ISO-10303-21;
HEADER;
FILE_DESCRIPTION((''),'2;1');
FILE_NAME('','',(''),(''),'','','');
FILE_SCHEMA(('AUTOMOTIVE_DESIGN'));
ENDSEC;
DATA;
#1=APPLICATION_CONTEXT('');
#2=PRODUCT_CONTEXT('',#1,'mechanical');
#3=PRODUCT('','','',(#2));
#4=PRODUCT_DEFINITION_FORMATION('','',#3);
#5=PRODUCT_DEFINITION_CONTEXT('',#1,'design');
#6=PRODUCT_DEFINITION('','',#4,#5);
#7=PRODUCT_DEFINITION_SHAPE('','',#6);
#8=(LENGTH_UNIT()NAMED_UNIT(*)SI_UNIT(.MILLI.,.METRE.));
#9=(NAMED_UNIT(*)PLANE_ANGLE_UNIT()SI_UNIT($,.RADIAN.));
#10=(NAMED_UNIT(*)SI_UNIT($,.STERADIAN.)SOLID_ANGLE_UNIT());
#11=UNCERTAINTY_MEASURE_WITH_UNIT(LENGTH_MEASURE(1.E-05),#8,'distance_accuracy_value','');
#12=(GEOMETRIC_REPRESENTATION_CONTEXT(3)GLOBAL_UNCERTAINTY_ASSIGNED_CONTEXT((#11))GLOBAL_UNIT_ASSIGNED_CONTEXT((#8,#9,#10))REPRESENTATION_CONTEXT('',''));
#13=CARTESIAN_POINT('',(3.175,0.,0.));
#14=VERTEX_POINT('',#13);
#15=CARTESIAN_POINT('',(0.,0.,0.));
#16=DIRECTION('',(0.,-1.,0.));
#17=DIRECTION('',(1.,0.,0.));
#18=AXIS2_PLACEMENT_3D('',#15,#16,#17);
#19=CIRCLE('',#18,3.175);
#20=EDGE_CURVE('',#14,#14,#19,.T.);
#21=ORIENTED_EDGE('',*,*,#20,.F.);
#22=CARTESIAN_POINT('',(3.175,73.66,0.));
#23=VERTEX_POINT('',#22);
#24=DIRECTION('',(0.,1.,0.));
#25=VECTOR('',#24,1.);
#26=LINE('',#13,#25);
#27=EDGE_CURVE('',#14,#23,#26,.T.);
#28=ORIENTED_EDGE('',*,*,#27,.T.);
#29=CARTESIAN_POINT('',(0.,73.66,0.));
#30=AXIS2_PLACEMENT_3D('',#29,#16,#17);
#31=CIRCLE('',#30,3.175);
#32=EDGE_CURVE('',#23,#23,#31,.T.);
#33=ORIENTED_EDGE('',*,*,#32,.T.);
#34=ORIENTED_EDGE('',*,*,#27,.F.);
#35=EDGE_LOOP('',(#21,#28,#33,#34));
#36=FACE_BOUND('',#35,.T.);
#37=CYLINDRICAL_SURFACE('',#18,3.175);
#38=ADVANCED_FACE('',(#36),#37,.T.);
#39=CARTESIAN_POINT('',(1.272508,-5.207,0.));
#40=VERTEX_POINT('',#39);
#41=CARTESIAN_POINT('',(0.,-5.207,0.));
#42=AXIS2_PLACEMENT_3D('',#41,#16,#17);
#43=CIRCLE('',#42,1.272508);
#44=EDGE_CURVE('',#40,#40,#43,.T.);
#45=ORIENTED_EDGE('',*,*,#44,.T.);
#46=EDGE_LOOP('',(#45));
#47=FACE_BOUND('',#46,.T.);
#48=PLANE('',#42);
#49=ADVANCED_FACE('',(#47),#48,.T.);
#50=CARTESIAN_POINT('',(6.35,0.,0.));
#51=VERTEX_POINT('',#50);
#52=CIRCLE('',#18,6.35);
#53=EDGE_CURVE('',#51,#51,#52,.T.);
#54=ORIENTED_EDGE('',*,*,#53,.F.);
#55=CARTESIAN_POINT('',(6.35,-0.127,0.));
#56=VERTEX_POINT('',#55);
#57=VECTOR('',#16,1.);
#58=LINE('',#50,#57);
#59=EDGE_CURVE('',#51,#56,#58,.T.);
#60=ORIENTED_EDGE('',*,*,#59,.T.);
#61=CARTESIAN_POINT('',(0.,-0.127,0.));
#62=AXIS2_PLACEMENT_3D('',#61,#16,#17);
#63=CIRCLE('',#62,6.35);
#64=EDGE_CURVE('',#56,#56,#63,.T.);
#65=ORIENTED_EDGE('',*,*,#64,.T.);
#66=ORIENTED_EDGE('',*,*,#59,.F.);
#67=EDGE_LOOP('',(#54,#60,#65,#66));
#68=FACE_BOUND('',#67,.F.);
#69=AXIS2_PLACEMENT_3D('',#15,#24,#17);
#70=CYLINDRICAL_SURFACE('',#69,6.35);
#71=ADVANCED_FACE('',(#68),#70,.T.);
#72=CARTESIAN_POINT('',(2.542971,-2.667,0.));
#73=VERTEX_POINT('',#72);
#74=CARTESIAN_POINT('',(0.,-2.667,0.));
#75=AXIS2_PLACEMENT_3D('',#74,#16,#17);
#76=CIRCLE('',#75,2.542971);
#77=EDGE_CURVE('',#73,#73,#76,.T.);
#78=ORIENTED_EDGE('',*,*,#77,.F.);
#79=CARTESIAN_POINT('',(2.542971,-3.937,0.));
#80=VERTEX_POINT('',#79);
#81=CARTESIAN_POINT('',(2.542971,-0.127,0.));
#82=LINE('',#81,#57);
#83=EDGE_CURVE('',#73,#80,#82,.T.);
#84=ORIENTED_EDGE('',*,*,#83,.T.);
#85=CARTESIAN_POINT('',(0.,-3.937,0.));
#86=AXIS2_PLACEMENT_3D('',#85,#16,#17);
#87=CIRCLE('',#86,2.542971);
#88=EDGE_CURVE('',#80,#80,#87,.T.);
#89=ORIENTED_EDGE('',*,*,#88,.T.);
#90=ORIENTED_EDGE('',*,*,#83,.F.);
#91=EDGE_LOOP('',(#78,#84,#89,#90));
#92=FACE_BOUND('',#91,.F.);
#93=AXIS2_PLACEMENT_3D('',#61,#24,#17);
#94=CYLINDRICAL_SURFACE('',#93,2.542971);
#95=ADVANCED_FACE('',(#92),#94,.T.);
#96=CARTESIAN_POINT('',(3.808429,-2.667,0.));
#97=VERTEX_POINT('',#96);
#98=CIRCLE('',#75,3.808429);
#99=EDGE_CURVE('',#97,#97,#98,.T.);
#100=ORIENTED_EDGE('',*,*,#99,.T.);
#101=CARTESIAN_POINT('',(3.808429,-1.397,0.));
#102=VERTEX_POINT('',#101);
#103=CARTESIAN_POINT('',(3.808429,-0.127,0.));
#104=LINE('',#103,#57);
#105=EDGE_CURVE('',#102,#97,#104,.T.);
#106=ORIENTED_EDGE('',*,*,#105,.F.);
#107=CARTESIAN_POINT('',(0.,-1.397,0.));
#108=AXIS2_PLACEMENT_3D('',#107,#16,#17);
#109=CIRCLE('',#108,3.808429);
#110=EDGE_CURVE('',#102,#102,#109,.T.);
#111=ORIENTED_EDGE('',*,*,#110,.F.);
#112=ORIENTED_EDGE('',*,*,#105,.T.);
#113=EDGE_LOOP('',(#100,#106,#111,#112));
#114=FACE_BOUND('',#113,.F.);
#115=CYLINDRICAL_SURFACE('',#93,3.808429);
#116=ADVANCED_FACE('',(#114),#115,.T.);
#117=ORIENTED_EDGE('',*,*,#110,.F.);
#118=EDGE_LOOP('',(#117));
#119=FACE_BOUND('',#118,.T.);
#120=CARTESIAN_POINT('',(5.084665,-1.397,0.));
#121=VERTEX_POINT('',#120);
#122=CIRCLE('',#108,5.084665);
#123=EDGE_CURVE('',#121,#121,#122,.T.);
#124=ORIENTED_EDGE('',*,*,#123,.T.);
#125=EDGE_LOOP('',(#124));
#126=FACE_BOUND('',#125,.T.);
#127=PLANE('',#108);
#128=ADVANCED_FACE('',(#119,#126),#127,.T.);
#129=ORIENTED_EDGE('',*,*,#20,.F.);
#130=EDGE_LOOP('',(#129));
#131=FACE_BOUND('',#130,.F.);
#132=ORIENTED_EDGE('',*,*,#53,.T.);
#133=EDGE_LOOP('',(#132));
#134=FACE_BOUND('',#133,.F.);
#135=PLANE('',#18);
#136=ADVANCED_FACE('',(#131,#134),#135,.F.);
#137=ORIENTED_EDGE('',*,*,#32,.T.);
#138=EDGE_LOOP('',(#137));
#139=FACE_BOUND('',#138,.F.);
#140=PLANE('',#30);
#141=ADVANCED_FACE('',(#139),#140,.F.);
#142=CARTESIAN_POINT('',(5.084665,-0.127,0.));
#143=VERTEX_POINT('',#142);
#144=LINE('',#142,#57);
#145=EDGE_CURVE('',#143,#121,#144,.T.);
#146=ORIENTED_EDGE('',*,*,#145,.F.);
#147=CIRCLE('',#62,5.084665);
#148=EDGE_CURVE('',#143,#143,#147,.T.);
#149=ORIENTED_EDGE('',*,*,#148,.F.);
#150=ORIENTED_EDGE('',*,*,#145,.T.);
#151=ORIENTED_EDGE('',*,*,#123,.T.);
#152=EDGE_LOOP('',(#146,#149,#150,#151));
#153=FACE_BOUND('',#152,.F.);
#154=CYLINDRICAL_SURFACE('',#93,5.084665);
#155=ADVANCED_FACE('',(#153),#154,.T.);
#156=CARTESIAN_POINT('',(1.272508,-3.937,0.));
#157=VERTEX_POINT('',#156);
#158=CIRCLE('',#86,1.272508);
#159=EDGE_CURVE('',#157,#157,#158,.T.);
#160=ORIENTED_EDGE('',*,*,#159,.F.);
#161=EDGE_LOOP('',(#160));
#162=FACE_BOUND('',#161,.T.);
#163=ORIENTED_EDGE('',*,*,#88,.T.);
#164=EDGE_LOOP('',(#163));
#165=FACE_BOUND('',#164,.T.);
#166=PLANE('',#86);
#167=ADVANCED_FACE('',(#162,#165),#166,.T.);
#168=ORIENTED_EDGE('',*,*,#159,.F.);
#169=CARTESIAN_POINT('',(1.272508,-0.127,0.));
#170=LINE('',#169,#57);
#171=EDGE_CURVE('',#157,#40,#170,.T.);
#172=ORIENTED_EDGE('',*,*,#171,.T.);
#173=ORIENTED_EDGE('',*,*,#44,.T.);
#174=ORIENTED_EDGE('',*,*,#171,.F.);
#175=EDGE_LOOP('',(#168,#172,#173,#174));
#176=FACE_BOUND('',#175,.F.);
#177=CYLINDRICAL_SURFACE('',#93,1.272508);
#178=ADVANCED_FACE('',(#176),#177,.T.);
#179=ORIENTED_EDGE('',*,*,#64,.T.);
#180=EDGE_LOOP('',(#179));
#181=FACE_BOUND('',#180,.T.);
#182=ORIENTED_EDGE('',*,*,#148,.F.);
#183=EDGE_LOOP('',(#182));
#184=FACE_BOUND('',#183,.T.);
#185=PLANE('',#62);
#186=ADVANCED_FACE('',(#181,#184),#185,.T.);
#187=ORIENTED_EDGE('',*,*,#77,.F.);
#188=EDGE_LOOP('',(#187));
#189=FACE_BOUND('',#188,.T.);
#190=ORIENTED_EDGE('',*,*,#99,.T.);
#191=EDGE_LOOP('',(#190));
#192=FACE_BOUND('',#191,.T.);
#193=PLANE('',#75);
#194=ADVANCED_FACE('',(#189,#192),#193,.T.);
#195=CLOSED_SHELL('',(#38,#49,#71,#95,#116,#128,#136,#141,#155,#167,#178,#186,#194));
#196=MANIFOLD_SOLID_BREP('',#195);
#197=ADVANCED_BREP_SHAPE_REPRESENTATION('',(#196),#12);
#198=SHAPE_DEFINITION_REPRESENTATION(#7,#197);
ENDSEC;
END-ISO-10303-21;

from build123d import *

# Parameters (mm, degrees)
F0_R     = 6.35
F1_DEPTH = 0.127
F3_R     = 5.084665
F3_R_2   = 3.808429
F4_DEPTH = 1.27
F3_R_3   = 2.542971
F5_DEPTH = 2.54
F3_R_4   = 1.272508
F6_DEPTH = 3.81
F7_DEPTH = 5.08
F8_R     = 3.175
F9_DEPTH = 73.66


with BuildPart() as f1:
    # F0 (on Front) → F1 (new body)
    with BuildSketch(Plane.XZ):
        Circle(F0_R)
    extrude(amount=F1_DEPTH)

    # F3 (on face) → F4 (join)
    with BuildSketch(Plane.XZ.offset(0.127)):
        Circle(F3_R)
        Circle(F3_R_2, mode=Mode.SUBTRACT)
    extrude(amount=F4_DEPTH)

    # F3 (on face) → F5 (join)
    with BuildSketch(Plane.XZ.offset(0.127)):
        Circle(F3_R_2)
        Circle(F3_R_3, mode=Mode.SUBTRACT)
    extrude(amount=F5_DEPTH)

    # F3 (on face) → F6 (join)
    with BuildSketch(Plane.XZ.offset(0.127)):
        Circle(F3_R_3)
        Circle(F3_R_4, mode=Mode.SUBTRACT)
    extrude(amount=F6_DEPTH)

    # F3 (on face) → F7 (join)
    with BuildSketch(Plane.XZ.offset(0.127)):
        Circle(F3_R_4)
    extrude(amount=F7_DEPTH)

    # F8 (on face) → F9 (join)
    with BuildSketch(Plane.XZ):
        Circle(F8_R)
    extrude(amount=-F9_DEPTH)


solid = f1.part
